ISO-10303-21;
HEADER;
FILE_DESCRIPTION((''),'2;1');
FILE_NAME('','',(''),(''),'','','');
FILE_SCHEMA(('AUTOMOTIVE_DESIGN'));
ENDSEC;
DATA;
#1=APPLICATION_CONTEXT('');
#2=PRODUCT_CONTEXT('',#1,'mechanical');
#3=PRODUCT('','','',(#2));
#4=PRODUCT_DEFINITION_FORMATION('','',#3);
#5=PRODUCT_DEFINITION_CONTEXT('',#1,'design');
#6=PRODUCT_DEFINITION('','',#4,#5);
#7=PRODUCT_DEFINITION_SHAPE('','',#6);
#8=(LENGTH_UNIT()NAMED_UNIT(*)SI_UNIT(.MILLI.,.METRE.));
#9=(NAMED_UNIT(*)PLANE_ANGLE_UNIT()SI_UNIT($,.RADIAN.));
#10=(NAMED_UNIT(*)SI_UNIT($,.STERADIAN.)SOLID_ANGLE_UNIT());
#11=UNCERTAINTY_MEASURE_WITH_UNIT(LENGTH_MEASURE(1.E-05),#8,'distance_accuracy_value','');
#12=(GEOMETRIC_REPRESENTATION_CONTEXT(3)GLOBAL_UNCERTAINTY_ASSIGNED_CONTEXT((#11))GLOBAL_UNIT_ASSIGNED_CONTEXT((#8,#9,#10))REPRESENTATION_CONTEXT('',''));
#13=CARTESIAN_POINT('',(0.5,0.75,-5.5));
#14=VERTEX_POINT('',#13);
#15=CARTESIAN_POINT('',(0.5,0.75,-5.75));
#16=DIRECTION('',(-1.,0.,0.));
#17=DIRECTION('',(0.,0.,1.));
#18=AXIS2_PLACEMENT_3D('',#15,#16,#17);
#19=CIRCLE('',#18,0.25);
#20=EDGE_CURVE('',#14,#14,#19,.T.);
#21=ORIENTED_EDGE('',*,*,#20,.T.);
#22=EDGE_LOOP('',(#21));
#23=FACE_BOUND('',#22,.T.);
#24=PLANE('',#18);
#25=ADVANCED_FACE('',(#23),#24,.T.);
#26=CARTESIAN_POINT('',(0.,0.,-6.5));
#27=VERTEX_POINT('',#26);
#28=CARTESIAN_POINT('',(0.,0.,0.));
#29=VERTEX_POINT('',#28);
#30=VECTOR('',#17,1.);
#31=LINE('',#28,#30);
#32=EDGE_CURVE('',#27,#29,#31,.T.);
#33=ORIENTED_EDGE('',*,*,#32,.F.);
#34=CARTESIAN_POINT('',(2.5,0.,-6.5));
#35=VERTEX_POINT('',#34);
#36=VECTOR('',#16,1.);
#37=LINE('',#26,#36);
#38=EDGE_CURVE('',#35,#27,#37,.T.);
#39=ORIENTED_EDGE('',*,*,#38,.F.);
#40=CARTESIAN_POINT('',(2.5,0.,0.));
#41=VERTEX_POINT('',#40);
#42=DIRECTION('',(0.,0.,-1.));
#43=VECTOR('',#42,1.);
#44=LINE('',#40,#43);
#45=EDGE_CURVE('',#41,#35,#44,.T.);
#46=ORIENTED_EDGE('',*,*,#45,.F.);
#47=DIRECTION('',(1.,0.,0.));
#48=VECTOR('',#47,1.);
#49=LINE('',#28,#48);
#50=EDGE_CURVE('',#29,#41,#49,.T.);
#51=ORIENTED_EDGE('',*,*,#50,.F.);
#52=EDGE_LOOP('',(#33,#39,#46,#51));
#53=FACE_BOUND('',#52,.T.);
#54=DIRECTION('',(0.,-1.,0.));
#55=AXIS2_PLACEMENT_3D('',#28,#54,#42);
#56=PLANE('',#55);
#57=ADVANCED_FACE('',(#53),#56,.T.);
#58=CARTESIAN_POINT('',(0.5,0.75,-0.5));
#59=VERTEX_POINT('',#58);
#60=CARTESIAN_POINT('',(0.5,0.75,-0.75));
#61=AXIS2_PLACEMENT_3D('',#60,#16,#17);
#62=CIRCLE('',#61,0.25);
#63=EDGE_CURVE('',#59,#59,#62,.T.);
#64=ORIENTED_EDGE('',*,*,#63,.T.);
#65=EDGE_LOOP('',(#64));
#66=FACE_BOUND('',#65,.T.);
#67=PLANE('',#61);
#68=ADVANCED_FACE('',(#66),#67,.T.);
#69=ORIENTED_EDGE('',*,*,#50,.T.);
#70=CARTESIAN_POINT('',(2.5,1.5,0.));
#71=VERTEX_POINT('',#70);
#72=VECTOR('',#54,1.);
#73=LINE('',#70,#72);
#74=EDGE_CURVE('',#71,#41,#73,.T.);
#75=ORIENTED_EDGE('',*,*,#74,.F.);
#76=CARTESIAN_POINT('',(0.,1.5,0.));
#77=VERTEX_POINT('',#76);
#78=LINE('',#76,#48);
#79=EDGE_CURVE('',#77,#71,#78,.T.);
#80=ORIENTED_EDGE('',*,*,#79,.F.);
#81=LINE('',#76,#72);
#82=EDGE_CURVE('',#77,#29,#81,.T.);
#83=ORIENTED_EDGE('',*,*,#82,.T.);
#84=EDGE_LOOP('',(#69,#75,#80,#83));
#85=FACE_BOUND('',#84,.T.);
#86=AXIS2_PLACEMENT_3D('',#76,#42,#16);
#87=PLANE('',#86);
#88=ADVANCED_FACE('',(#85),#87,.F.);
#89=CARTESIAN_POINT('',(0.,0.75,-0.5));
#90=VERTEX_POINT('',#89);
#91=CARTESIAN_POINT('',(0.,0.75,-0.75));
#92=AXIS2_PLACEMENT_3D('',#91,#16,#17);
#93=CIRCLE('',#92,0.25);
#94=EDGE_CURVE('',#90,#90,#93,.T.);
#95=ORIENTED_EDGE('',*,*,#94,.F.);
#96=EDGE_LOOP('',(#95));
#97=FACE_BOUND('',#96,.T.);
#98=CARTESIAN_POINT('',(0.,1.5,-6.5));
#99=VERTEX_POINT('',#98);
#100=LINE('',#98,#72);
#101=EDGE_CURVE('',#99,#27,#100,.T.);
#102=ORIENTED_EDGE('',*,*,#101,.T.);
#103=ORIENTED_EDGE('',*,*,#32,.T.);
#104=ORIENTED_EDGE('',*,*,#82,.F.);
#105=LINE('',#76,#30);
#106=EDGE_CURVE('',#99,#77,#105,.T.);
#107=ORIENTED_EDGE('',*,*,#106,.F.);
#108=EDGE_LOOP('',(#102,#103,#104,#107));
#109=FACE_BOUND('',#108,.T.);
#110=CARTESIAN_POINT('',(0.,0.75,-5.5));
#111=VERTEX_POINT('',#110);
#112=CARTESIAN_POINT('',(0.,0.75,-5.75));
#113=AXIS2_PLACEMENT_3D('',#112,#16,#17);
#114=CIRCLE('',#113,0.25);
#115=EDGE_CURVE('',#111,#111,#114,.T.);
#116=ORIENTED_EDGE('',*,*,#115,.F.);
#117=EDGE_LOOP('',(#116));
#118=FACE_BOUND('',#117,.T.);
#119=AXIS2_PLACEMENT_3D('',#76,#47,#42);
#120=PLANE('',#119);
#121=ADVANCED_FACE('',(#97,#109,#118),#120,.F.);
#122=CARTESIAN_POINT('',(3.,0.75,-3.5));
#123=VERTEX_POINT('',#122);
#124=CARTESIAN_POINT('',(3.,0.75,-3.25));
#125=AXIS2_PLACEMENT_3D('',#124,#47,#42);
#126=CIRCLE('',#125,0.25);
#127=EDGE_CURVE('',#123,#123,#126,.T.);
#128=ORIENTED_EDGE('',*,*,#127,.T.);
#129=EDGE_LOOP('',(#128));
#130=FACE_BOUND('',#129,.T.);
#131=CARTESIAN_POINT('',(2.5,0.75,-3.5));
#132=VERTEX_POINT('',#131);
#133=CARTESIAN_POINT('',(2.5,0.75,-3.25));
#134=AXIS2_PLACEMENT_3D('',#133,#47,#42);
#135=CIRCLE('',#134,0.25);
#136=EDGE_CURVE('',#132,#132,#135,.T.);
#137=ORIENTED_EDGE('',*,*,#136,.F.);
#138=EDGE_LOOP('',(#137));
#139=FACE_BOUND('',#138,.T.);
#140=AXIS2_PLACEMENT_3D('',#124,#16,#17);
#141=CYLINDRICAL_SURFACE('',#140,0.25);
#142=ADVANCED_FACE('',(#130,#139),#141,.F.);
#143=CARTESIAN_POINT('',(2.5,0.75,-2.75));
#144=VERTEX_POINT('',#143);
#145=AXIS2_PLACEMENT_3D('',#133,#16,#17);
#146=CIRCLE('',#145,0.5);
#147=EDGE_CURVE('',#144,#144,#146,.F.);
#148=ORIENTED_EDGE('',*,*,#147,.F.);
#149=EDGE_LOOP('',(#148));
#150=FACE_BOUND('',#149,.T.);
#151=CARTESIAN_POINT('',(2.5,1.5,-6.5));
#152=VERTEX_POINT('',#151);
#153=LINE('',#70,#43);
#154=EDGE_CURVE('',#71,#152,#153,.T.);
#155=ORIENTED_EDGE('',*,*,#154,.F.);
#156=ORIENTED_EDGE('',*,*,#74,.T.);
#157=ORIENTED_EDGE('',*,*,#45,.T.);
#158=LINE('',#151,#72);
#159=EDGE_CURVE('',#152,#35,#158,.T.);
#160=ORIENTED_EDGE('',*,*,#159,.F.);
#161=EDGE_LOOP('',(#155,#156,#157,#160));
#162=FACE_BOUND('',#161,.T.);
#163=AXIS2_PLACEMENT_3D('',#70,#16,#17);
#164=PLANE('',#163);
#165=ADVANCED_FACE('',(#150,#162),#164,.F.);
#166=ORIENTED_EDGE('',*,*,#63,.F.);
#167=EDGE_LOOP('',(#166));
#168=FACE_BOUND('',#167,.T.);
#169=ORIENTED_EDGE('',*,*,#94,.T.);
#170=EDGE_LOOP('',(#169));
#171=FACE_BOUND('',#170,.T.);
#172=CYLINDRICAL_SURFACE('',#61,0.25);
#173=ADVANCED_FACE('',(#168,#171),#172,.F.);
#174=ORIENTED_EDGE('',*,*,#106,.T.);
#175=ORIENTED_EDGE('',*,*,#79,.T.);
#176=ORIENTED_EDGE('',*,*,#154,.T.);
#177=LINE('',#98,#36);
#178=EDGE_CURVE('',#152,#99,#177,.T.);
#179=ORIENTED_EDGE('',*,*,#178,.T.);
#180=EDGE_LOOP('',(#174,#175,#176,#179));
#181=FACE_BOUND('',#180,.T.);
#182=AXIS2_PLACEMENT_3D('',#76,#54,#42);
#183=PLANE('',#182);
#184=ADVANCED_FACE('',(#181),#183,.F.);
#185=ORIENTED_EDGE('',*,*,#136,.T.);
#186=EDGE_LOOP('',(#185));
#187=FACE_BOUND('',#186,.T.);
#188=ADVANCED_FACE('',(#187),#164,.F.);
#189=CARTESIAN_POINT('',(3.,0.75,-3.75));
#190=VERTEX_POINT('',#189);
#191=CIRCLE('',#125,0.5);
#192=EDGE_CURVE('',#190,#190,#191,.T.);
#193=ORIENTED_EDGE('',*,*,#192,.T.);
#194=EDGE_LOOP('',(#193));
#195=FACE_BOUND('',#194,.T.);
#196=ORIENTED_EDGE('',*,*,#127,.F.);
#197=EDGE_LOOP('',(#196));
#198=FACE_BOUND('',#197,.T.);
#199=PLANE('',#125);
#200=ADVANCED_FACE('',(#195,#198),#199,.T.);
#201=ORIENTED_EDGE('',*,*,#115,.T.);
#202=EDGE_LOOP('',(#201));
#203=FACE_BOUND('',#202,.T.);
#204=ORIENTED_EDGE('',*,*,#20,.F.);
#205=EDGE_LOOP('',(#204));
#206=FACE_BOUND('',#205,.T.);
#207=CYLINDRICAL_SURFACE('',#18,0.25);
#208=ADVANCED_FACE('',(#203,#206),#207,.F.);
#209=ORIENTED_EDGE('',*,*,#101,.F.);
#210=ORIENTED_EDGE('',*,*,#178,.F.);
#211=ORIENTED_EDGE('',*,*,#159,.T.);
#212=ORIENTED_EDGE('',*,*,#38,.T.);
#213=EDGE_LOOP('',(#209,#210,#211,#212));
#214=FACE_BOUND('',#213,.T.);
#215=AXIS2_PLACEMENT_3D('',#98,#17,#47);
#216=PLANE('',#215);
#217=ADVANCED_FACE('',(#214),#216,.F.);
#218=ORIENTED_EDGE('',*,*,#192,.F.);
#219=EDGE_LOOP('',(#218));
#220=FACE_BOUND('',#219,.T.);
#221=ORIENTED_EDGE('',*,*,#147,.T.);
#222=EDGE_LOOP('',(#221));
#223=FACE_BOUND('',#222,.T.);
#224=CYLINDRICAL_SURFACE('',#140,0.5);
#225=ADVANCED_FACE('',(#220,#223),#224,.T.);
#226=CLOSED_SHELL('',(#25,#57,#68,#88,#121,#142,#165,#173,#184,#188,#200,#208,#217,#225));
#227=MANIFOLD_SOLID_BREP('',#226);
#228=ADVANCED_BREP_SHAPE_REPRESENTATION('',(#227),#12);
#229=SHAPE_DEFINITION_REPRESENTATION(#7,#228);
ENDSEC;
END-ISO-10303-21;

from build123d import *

# Parameters (mm, degrees)
SKETCH1_W           = 2.5
SKETCH1_H           = 6.5
BOSS_EXTRUDE1_DEPTH = 1.5
SKETCH2_R           = 0.5
SKETCH2_R_2         = 0.25
BOSS_EXTRUDE2_DEPTH = 0.5
SKETCH4_R           = 0.25
CUT_EXTRUDE1_DEPTH  = 0.5


with BuildPart() as part:
    # Sketch1 → Boss-Extrude1 (new body)
    with BuildSketch(Plane(origin=(0, 0, 0), x_dir=(1, 0, 0), z_dir=(0, 1, 0))):
        with Locations((1.25, 3.25)):
            Rectangle(SKETCH1_W, SKETCH1_H)
    extrude(amount=BOSS_EXTRUDE1_DEPTH)

    # Sketch2 → Boss-Extrude2 (add)
    with BuildSketch(Plane(origin=(2.5, 0, 0), x_dir=(0, 0, -1), z_dir=(1, 0, 0))):
        with Locations(Location((3.25, 0.75, 0), (0, 0, 180))):
            Circle(SKETCH2_R)
        with Locations((3.25, 0.75)):
            Circle(SKETCH2_R_2, mode=Mode.SUBTRACT)
    extrude(amount=BOSS_EXTRUDE2_DEPTH)

    # Sketch4 → Cut-Extrude1 (cut)
    with BuildSketch(Plane.ZY):
        with Locations((-5.75, 0.75)):
            Circle(SKETCH4_R)
        with Locations((-0.75, 0.75)):
            Circle(SKETCH4_R)
    extrude(amount=-CUT_EXTRUDE1_DEPTH, mode=Mode.SUBTRACT)


solid = part.part
